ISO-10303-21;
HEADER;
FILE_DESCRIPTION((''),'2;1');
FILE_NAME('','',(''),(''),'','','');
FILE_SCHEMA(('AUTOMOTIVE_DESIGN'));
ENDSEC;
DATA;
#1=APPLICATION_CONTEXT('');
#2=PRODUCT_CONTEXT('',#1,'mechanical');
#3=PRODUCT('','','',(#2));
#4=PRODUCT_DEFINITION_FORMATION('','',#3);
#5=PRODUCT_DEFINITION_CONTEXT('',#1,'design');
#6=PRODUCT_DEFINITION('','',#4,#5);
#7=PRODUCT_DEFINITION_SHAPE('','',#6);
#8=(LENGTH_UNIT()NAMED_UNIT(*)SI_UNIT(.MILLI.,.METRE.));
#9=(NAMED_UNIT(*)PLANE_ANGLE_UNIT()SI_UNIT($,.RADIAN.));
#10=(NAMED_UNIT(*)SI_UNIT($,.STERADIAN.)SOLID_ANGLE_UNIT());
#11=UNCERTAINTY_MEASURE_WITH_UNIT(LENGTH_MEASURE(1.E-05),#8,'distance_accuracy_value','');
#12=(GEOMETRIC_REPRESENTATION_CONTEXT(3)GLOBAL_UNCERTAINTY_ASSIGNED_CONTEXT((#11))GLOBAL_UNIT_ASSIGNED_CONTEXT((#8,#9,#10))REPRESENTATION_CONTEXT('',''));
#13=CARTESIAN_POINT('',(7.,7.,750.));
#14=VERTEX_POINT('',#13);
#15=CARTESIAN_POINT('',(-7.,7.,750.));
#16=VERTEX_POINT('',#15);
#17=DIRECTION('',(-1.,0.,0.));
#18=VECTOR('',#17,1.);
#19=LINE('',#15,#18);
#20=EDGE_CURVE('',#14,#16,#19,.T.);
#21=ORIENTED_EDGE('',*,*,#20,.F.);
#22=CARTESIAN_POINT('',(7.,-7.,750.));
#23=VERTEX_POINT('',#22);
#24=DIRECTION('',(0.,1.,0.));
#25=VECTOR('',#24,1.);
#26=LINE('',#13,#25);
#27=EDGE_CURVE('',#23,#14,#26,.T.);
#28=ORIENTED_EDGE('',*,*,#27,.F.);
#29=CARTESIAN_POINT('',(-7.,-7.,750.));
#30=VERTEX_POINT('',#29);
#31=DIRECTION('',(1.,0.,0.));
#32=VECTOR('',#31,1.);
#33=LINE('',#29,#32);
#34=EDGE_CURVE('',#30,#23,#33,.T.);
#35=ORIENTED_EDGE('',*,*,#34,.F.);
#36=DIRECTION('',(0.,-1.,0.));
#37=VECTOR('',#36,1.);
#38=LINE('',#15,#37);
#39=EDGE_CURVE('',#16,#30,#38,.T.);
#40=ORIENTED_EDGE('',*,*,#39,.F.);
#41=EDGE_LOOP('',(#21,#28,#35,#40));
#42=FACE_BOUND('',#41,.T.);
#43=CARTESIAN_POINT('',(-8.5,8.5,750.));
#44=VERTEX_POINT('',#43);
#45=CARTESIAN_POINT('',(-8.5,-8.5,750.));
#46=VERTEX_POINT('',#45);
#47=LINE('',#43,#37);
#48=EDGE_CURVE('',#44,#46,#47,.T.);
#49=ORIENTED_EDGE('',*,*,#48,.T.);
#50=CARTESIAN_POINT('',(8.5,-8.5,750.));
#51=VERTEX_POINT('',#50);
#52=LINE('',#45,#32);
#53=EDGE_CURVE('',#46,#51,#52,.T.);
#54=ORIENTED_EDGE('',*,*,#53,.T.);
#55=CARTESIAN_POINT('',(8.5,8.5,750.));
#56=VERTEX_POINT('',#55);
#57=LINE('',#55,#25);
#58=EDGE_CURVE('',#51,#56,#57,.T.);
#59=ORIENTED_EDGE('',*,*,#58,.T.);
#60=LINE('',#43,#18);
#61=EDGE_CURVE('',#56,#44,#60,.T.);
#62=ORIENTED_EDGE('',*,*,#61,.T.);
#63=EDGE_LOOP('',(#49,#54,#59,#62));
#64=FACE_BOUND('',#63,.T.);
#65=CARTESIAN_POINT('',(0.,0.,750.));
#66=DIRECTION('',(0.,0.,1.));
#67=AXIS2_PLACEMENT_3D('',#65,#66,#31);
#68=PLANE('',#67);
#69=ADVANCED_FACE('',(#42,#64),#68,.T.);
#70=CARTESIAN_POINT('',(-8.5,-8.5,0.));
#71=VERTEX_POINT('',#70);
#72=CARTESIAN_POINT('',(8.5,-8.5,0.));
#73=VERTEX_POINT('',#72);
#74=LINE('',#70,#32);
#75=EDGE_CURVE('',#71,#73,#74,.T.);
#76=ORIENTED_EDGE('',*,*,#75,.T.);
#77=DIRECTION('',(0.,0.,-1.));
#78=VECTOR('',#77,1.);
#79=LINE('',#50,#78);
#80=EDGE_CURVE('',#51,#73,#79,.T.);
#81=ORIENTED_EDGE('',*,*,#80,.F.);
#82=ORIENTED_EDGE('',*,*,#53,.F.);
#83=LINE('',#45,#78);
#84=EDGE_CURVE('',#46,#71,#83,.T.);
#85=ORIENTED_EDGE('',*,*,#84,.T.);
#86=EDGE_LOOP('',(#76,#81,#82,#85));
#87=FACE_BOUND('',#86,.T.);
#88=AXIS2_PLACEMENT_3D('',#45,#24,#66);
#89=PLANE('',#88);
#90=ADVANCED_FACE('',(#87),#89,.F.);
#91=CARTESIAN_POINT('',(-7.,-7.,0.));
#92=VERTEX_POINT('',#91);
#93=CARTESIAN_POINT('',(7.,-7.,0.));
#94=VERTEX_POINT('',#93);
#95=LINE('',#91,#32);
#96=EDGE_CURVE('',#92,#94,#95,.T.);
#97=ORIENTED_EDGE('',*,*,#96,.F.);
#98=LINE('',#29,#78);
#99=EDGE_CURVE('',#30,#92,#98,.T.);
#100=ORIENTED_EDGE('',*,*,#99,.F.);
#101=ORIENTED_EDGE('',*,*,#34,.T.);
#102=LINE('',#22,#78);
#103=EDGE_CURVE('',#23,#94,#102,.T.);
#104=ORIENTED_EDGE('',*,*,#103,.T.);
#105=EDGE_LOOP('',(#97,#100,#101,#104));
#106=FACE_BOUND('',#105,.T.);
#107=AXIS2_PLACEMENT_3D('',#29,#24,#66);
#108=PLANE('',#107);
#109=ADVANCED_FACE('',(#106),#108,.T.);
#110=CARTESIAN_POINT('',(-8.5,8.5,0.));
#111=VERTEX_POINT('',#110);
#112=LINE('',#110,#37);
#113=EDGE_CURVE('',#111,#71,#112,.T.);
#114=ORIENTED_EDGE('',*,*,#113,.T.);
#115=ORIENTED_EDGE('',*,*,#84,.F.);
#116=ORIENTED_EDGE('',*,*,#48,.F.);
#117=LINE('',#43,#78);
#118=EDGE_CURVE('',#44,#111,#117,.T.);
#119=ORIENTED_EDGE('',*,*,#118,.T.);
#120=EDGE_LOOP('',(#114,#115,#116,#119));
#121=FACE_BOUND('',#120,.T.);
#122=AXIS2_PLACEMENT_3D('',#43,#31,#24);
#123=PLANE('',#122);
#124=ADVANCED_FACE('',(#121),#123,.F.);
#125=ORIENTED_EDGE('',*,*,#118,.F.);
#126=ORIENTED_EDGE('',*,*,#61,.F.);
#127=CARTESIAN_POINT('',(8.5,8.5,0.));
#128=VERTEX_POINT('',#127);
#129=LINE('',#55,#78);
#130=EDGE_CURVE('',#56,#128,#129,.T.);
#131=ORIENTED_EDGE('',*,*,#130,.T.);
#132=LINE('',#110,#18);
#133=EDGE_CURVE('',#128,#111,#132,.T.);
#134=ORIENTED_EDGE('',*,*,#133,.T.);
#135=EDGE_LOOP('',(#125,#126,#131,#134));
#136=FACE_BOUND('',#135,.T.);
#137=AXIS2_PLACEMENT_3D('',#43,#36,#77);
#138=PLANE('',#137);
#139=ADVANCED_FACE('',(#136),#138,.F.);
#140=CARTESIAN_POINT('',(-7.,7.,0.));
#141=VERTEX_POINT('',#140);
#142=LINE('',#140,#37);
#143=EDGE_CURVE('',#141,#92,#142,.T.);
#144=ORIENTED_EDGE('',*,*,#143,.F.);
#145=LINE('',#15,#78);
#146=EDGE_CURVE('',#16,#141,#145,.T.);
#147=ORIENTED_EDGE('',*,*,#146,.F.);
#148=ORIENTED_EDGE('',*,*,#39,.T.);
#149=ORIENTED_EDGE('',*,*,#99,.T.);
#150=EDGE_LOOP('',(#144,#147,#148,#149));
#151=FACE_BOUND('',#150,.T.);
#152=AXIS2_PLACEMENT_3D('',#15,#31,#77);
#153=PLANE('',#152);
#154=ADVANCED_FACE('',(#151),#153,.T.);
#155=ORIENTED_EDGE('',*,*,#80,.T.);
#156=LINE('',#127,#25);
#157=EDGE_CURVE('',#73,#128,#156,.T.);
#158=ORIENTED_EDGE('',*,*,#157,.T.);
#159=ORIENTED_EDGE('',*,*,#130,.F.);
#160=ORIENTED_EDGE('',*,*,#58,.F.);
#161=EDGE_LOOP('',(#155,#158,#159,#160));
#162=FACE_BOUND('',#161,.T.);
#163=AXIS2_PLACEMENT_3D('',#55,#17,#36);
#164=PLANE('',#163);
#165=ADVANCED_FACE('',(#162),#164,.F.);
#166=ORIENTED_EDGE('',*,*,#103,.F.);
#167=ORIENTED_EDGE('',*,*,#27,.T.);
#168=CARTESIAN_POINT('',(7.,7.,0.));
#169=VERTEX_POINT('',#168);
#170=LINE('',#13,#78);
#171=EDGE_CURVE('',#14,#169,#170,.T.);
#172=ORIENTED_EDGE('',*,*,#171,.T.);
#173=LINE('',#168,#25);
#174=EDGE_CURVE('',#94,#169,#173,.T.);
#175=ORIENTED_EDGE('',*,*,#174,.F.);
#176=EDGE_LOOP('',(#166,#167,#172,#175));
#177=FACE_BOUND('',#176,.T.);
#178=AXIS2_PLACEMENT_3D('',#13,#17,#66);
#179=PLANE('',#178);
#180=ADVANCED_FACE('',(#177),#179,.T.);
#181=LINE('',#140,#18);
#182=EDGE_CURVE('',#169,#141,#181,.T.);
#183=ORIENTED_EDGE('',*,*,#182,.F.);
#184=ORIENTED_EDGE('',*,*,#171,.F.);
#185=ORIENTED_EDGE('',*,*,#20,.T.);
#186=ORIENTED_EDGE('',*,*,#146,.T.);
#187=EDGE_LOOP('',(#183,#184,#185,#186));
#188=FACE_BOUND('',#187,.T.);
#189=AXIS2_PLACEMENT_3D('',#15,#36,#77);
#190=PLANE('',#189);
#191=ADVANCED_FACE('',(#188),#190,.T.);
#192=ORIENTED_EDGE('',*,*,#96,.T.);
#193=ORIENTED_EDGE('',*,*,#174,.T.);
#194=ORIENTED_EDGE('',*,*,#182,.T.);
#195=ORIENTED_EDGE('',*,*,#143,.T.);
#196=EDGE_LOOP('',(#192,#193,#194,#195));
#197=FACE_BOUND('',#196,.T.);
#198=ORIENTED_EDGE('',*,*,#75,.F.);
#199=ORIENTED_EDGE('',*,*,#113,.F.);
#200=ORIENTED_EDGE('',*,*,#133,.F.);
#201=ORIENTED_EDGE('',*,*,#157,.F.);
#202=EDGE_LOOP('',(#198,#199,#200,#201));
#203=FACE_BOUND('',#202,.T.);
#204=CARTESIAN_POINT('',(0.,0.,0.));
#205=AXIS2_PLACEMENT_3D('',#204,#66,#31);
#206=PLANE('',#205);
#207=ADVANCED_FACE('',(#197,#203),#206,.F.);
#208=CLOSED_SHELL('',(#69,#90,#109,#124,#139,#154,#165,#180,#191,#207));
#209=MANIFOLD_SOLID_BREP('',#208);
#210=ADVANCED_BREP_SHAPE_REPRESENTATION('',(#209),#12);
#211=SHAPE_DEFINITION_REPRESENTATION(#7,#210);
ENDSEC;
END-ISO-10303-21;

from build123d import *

# Parameters (mm, degrees)
SKETCH1_W           = 17
SKETCH1_H           = 17
SKETCH1_W_2         = 14
SKETCH1_H_2         = 14
BOSS_EXTRUDE1_DEPTH = 750


with BuildPart() as part:
    # Sketch1 → Boss-Extrude1 (new body)
    with BuildSketch(Plane.XY):
        Rectangle(SKETCH1_W, SKETCH1_H)
        Rectangle(SKETCH1_W_2, SKETCH1_H_2, mode=Mode.SUBTRACT)
    extrude(amount=BOSS_EXTRUDE1_DEPTH)


solid = part.part
